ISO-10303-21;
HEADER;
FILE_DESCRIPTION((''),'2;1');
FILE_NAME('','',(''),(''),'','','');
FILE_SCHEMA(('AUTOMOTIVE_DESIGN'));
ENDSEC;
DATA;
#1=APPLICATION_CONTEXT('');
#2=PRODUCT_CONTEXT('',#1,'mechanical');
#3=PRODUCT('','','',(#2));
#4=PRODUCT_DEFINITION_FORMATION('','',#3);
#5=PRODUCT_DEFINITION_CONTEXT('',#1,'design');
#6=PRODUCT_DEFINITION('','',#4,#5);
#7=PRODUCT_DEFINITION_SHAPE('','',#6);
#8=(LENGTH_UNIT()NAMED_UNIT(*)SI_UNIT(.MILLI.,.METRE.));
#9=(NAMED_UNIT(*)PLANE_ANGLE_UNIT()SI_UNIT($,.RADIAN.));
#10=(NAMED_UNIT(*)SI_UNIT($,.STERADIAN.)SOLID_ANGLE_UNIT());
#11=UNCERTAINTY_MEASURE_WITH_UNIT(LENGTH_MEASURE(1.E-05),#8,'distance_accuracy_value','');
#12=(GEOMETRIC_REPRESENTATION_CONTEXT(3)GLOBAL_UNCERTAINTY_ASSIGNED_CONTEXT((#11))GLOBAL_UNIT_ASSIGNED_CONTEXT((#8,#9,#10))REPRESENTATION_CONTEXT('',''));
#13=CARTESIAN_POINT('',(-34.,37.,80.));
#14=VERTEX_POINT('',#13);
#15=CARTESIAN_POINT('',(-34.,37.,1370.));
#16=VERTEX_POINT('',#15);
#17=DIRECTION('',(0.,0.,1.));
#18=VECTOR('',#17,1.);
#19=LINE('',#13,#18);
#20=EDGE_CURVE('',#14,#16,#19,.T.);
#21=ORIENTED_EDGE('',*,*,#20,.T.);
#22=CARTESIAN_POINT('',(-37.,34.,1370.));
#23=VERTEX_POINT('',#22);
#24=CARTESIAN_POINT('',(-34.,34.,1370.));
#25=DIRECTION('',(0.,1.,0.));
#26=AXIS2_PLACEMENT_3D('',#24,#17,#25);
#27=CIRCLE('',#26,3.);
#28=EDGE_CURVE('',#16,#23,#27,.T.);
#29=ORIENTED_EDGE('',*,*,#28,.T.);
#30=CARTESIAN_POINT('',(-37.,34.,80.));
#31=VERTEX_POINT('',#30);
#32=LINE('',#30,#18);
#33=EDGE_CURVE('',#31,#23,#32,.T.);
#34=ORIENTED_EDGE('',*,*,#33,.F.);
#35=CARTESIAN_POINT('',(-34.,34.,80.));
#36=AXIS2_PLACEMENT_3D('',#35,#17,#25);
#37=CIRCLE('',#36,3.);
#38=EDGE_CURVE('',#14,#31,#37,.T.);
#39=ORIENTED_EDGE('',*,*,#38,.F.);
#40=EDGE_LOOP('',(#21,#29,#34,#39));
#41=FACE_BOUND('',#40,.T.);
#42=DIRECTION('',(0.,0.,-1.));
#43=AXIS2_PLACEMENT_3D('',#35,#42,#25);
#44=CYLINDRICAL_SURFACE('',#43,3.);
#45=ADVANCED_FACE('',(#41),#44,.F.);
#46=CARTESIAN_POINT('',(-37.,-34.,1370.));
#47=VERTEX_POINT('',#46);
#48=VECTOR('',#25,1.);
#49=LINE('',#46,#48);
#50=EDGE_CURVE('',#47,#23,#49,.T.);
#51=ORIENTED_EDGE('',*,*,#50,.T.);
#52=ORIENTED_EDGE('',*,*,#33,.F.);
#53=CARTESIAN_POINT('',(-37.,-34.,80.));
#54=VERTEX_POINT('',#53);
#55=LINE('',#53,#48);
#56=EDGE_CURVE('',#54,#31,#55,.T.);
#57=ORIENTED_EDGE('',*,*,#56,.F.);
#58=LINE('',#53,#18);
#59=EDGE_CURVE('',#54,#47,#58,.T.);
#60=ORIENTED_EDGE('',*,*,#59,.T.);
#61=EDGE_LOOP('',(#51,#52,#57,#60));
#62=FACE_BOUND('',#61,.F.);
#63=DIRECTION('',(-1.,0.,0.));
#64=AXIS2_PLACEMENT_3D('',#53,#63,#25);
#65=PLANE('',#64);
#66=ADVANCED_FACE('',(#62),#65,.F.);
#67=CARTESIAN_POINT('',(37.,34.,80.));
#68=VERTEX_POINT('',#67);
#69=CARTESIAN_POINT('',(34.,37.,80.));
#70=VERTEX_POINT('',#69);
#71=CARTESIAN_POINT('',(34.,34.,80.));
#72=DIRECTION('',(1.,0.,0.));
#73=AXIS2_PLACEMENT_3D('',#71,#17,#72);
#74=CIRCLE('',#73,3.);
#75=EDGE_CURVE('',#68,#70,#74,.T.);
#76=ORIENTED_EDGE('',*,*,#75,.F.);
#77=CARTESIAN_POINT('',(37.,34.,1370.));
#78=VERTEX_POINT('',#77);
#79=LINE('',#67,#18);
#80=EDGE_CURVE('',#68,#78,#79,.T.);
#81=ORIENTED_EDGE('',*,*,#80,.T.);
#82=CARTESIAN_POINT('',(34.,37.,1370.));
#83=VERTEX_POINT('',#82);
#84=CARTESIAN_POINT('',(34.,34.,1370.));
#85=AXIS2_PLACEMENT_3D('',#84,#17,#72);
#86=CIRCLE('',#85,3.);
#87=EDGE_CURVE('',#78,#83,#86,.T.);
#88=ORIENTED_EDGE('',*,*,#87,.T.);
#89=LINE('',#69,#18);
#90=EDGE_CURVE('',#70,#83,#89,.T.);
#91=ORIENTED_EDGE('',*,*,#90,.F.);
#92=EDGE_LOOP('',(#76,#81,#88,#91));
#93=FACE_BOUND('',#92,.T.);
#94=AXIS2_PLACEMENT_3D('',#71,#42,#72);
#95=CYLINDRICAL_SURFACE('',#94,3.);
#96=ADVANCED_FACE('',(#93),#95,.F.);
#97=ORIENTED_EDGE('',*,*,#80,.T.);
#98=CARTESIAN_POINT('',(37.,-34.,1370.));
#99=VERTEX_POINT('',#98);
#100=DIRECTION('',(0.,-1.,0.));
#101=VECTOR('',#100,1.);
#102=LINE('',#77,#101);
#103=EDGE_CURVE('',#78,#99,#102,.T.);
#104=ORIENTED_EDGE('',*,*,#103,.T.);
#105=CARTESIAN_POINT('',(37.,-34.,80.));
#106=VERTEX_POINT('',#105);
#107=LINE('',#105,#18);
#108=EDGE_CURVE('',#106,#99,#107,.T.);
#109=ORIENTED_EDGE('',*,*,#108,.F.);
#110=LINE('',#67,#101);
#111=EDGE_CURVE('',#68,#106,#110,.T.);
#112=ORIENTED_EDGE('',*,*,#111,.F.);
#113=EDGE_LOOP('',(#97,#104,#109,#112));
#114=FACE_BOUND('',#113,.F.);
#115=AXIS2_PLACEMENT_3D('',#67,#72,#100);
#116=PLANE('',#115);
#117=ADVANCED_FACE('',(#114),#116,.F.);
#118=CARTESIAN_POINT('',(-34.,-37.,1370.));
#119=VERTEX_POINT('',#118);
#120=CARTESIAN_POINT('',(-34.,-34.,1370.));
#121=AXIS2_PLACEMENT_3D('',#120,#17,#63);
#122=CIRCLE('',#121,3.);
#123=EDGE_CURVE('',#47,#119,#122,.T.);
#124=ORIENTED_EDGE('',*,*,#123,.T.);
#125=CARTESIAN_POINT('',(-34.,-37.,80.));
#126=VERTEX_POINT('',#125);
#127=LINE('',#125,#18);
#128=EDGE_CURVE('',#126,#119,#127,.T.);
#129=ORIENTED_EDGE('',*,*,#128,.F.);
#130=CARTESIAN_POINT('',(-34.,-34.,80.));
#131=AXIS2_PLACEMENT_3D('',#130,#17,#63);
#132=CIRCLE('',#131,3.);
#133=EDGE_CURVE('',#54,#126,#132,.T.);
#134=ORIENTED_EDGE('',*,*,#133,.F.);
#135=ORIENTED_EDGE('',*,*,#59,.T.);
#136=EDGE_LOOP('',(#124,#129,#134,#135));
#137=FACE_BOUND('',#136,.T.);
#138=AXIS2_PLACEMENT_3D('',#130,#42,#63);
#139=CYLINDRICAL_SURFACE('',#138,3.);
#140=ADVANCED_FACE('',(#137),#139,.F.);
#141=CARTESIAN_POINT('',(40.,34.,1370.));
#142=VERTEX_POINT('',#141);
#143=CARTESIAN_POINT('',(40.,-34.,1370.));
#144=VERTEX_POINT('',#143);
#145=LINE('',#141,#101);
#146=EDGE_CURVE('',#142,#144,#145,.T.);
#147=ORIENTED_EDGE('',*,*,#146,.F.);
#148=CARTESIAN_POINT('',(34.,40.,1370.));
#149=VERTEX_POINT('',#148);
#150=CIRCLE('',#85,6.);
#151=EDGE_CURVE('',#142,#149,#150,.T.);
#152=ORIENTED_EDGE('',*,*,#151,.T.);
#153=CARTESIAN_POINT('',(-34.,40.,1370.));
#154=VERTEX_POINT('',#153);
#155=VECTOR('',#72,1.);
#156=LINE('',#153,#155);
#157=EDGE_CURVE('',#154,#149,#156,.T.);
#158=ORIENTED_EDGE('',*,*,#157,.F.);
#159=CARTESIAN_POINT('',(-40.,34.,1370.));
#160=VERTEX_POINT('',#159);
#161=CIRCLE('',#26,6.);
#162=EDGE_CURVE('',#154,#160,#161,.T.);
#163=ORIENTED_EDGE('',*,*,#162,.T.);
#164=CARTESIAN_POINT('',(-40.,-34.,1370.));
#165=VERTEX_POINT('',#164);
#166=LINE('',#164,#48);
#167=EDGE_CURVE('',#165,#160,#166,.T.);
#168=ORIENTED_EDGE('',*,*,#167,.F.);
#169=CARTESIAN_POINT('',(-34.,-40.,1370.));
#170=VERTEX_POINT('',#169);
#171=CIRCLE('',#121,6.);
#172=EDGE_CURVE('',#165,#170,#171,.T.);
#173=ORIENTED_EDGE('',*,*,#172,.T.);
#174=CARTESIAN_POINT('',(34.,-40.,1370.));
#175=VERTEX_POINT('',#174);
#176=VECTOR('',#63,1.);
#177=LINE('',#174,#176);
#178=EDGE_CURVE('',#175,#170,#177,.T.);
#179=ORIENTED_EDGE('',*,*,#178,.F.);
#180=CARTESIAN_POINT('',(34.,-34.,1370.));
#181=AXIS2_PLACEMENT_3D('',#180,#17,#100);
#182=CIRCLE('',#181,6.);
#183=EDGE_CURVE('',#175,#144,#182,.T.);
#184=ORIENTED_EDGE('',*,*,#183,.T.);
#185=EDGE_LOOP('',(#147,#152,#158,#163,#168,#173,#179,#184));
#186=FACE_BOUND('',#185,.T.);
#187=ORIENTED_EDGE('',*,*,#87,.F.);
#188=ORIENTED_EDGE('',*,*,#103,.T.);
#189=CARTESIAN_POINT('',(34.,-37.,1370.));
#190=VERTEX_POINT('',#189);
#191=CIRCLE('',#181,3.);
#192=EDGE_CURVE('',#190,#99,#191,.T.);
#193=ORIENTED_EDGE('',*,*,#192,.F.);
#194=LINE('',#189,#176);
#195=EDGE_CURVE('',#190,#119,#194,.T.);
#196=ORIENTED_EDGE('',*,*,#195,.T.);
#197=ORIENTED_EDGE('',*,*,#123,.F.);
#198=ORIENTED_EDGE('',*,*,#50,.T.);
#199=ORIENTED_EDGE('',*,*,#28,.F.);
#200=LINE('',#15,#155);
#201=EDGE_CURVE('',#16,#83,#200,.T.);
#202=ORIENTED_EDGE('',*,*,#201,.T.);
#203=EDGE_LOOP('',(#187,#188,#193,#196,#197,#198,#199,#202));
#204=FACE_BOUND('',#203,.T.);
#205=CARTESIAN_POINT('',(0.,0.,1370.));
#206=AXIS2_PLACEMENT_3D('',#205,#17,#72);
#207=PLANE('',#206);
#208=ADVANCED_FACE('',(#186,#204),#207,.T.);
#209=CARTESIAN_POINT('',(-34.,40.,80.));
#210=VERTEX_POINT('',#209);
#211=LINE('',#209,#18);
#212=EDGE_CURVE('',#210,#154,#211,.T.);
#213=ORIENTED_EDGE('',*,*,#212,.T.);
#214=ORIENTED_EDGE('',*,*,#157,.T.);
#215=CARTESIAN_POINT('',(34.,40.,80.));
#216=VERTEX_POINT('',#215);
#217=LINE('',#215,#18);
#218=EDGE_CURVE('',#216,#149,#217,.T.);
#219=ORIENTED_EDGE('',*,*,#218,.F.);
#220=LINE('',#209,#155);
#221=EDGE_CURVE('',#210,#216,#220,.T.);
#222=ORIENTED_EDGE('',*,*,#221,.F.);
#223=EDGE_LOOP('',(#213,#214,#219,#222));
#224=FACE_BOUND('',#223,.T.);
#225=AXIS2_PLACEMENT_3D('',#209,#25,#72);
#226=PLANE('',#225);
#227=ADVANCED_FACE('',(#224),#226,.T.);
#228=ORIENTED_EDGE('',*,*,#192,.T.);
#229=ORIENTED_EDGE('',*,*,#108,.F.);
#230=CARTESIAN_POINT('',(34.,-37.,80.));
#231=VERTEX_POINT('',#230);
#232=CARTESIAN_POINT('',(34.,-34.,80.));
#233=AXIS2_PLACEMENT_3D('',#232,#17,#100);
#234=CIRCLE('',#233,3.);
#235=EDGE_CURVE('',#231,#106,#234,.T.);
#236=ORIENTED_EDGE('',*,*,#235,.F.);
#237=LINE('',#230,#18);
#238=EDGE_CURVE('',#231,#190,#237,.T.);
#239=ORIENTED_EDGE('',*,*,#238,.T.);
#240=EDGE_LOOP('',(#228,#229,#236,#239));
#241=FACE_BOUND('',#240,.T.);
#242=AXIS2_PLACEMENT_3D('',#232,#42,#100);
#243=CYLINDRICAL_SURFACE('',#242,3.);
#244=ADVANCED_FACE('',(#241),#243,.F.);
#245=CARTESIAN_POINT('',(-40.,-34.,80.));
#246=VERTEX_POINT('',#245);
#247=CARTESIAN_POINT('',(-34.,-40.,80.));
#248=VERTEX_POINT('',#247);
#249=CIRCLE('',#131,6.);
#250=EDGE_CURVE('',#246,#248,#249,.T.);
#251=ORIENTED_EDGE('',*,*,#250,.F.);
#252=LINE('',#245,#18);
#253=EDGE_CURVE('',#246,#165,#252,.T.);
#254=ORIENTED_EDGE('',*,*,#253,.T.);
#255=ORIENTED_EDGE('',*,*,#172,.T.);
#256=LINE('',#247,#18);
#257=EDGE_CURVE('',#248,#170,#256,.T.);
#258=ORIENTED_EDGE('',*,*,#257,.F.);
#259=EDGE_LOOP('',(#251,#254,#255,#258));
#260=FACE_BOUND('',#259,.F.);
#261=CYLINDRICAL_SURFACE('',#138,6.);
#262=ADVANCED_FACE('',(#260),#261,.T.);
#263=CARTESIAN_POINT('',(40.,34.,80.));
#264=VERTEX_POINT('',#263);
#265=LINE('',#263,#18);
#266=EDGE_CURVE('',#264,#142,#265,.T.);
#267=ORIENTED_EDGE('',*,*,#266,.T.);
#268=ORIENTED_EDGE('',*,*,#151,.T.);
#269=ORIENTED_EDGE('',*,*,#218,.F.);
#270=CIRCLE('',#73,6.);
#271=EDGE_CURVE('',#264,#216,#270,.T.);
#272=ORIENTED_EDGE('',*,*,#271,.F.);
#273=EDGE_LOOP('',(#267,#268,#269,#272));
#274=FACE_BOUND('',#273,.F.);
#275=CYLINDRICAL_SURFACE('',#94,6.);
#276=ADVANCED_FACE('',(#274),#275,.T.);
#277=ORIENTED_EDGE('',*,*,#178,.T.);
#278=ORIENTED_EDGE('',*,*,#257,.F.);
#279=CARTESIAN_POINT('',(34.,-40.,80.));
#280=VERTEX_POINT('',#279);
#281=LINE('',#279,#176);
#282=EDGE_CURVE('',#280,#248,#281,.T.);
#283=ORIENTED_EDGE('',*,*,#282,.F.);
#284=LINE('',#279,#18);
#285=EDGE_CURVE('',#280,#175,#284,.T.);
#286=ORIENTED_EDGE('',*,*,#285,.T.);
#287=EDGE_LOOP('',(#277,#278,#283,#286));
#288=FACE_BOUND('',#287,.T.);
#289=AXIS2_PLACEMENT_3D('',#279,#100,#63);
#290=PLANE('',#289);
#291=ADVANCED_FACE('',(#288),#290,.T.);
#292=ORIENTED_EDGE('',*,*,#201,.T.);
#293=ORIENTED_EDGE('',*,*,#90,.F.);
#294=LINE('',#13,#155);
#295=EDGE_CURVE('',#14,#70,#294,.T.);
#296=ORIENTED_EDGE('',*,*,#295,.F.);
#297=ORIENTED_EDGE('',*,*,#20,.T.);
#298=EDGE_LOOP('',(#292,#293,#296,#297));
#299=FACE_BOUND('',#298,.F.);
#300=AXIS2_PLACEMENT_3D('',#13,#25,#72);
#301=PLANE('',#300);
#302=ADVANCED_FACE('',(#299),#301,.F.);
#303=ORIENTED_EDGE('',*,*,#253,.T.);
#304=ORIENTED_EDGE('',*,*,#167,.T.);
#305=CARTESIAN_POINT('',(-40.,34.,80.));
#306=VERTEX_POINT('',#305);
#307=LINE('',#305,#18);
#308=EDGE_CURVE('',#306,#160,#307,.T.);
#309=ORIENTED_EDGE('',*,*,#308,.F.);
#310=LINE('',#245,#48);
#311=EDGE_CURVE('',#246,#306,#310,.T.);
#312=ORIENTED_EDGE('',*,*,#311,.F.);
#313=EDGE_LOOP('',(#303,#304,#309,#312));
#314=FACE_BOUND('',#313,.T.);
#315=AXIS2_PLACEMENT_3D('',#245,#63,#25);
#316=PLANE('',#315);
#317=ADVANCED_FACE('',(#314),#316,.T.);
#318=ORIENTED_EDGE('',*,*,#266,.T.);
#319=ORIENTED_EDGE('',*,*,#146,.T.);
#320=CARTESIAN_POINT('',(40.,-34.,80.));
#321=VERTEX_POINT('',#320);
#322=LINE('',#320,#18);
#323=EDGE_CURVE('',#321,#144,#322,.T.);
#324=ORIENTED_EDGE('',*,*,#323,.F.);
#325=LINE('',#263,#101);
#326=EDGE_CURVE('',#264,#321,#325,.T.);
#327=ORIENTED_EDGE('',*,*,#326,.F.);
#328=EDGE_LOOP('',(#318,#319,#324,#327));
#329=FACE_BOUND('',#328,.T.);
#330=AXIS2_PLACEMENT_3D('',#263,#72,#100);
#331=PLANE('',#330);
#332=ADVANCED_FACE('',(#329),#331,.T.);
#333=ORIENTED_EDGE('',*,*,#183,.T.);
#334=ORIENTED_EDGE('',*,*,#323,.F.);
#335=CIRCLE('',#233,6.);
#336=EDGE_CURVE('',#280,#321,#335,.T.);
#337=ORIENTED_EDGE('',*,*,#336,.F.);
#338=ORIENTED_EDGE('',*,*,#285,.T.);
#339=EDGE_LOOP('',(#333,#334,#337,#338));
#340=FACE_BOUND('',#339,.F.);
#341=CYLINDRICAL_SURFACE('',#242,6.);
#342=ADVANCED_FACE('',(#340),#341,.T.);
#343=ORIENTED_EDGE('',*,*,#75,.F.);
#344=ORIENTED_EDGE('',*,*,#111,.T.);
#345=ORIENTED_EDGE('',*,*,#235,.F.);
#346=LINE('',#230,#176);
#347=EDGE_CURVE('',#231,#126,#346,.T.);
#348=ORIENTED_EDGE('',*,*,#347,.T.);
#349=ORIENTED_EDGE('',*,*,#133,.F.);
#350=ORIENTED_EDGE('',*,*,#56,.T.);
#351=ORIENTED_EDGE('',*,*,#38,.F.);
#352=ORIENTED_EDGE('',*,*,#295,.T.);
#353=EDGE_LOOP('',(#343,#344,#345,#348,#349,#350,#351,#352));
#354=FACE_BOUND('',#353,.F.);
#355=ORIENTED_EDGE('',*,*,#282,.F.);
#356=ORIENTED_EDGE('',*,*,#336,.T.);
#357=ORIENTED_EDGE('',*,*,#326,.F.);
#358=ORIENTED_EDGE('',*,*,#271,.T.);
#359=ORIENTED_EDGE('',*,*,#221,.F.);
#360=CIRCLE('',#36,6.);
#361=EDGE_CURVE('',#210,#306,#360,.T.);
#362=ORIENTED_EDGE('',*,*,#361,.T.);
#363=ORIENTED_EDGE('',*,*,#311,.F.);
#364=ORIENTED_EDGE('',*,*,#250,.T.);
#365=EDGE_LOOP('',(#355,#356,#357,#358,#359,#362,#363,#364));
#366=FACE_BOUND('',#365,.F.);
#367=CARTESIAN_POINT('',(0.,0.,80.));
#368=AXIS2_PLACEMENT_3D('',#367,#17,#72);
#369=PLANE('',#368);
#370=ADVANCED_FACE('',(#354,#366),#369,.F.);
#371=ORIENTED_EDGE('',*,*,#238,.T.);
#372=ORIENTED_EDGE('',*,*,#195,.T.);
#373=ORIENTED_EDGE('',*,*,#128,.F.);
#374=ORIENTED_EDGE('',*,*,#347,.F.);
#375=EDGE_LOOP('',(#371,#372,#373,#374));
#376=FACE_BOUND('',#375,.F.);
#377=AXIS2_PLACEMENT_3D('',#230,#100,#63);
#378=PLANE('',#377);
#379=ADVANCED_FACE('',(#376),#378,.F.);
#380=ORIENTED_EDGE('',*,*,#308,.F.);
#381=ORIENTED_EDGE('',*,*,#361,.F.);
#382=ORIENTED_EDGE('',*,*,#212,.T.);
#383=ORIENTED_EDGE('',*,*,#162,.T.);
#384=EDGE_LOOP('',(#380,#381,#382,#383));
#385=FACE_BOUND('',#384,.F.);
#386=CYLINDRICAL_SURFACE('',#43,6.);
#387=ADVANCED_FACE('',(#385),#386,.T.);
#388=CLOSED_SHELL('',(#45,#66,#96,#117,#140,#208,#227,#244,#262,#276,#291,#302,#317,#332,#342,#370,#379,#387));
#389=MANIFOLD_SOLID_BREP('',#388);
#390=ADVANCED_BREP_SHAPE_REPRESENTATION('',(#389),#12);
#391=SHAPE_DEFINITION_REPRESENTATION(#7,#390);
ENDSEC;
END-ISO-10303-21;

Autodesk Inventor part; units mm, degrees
ref_plane "YZ Plane" through (0, 0, 0) normal (1, 0, 0) x (0, 1, 0)
ref_plane "Start Plane" through (0, 0, 80) normal (0, 0, 1) x (1, 0, 0)
ref_plane "End Plane" through (0, 0, 1370) normal (0, 0, 1) x (1, 0, 0)
sketch "Sketch" plane through (0, 0, 0) normal (0, 0, 1) x (1, 0, 0)
  line L0 (-40, -34) -> (-40, 34)
  line L1 (-34, 40) -> (34, 40)
  line L2 (40, 34) -> (40, -34)
  line L3 (34, -40) -> (-34, -40)
  arc A0 (-40, -34) -> (-34, -40) centre (-34, -34) ccw
  arc A1 (40, 34) -> (34, 40) centre (34, 34) ccw
  arc A2 (-34, 40) -> (-40, 34) centre (-34, 34) ccw
  arc A3 (34, -40) -> (40, -34) centre (34, -34) ccw
  arc A4 (-34, 37) -> (-37, 34) centre (-34, 34) ccw
  line L4 (-34, 37) -> (34, 37)
  arc A5 (37, 34) -> (34, 37) centre (34, 34) ccw
  line L5 (37, 34) -> (37, -34)
  arc A6 (34, -37) -> (37, -34) centre (34, -34) ccw
  line L6 (34, -37) -> (-34, -37)
  arc A7 (-37, -34) -> (-34, -37) centre (-34, -34) ccw
  line L7 (-37, -34) -> (-37, 34)
  line L8 (0, 57.7397) -> (0, -57.7397) construction
  line L9 (-57.7397, 0) -> (57.7397, 0) construction
  dimension "d7" = 6
  dimension "d9" = 80
  dimension "d11" = 80
  dimension "d12" = 3
  dimension "d15" = 40
  dimension "d16" = 40
extrude "Body" add sketch "Sketch" along normal up to surface (1290 mm away) from surface at 80
sketch "Sketch3" plane through (0, 0, 0) normal (0, 0, 1) x (1, 0, 0)
  line L0 (0, 0) -> (10, 0)
ref_plane "Work Plane3" through (0, 0, 0) normal (0, -1, 0) x (1, 0, 0)
sketch "Sketch4" plane through (0, 0, 0) normal (0, -1, 0) x (1, 0, 0)
  line L0 (-2, 80) -> (12, 80) projected
  line L1 (-2, 1370) -> (12, 1370) projected
  dimension "d18" = 1290
equation "\"d7\" = G_IR"
equation "\"d9\" = G_W"
equation "\"d11\" = G_H"
equation "\"d12\" = G_T"
equation "\"d15\" = 0.5 * d9"
equation "\"d16\" = 0.5 * d11"
equation "\"d3\" = G_L"
equation "\"G_W\" = 80"
equation "\"G_H\" = 80"
equation "\"G_T\" = 3"
equation "\"G_IR\" = 6"
equation "\"G_L\" = d18"
properties part number "ISO 10799-2 - 80x80x3 - 1290" material "Steel, Mild"
